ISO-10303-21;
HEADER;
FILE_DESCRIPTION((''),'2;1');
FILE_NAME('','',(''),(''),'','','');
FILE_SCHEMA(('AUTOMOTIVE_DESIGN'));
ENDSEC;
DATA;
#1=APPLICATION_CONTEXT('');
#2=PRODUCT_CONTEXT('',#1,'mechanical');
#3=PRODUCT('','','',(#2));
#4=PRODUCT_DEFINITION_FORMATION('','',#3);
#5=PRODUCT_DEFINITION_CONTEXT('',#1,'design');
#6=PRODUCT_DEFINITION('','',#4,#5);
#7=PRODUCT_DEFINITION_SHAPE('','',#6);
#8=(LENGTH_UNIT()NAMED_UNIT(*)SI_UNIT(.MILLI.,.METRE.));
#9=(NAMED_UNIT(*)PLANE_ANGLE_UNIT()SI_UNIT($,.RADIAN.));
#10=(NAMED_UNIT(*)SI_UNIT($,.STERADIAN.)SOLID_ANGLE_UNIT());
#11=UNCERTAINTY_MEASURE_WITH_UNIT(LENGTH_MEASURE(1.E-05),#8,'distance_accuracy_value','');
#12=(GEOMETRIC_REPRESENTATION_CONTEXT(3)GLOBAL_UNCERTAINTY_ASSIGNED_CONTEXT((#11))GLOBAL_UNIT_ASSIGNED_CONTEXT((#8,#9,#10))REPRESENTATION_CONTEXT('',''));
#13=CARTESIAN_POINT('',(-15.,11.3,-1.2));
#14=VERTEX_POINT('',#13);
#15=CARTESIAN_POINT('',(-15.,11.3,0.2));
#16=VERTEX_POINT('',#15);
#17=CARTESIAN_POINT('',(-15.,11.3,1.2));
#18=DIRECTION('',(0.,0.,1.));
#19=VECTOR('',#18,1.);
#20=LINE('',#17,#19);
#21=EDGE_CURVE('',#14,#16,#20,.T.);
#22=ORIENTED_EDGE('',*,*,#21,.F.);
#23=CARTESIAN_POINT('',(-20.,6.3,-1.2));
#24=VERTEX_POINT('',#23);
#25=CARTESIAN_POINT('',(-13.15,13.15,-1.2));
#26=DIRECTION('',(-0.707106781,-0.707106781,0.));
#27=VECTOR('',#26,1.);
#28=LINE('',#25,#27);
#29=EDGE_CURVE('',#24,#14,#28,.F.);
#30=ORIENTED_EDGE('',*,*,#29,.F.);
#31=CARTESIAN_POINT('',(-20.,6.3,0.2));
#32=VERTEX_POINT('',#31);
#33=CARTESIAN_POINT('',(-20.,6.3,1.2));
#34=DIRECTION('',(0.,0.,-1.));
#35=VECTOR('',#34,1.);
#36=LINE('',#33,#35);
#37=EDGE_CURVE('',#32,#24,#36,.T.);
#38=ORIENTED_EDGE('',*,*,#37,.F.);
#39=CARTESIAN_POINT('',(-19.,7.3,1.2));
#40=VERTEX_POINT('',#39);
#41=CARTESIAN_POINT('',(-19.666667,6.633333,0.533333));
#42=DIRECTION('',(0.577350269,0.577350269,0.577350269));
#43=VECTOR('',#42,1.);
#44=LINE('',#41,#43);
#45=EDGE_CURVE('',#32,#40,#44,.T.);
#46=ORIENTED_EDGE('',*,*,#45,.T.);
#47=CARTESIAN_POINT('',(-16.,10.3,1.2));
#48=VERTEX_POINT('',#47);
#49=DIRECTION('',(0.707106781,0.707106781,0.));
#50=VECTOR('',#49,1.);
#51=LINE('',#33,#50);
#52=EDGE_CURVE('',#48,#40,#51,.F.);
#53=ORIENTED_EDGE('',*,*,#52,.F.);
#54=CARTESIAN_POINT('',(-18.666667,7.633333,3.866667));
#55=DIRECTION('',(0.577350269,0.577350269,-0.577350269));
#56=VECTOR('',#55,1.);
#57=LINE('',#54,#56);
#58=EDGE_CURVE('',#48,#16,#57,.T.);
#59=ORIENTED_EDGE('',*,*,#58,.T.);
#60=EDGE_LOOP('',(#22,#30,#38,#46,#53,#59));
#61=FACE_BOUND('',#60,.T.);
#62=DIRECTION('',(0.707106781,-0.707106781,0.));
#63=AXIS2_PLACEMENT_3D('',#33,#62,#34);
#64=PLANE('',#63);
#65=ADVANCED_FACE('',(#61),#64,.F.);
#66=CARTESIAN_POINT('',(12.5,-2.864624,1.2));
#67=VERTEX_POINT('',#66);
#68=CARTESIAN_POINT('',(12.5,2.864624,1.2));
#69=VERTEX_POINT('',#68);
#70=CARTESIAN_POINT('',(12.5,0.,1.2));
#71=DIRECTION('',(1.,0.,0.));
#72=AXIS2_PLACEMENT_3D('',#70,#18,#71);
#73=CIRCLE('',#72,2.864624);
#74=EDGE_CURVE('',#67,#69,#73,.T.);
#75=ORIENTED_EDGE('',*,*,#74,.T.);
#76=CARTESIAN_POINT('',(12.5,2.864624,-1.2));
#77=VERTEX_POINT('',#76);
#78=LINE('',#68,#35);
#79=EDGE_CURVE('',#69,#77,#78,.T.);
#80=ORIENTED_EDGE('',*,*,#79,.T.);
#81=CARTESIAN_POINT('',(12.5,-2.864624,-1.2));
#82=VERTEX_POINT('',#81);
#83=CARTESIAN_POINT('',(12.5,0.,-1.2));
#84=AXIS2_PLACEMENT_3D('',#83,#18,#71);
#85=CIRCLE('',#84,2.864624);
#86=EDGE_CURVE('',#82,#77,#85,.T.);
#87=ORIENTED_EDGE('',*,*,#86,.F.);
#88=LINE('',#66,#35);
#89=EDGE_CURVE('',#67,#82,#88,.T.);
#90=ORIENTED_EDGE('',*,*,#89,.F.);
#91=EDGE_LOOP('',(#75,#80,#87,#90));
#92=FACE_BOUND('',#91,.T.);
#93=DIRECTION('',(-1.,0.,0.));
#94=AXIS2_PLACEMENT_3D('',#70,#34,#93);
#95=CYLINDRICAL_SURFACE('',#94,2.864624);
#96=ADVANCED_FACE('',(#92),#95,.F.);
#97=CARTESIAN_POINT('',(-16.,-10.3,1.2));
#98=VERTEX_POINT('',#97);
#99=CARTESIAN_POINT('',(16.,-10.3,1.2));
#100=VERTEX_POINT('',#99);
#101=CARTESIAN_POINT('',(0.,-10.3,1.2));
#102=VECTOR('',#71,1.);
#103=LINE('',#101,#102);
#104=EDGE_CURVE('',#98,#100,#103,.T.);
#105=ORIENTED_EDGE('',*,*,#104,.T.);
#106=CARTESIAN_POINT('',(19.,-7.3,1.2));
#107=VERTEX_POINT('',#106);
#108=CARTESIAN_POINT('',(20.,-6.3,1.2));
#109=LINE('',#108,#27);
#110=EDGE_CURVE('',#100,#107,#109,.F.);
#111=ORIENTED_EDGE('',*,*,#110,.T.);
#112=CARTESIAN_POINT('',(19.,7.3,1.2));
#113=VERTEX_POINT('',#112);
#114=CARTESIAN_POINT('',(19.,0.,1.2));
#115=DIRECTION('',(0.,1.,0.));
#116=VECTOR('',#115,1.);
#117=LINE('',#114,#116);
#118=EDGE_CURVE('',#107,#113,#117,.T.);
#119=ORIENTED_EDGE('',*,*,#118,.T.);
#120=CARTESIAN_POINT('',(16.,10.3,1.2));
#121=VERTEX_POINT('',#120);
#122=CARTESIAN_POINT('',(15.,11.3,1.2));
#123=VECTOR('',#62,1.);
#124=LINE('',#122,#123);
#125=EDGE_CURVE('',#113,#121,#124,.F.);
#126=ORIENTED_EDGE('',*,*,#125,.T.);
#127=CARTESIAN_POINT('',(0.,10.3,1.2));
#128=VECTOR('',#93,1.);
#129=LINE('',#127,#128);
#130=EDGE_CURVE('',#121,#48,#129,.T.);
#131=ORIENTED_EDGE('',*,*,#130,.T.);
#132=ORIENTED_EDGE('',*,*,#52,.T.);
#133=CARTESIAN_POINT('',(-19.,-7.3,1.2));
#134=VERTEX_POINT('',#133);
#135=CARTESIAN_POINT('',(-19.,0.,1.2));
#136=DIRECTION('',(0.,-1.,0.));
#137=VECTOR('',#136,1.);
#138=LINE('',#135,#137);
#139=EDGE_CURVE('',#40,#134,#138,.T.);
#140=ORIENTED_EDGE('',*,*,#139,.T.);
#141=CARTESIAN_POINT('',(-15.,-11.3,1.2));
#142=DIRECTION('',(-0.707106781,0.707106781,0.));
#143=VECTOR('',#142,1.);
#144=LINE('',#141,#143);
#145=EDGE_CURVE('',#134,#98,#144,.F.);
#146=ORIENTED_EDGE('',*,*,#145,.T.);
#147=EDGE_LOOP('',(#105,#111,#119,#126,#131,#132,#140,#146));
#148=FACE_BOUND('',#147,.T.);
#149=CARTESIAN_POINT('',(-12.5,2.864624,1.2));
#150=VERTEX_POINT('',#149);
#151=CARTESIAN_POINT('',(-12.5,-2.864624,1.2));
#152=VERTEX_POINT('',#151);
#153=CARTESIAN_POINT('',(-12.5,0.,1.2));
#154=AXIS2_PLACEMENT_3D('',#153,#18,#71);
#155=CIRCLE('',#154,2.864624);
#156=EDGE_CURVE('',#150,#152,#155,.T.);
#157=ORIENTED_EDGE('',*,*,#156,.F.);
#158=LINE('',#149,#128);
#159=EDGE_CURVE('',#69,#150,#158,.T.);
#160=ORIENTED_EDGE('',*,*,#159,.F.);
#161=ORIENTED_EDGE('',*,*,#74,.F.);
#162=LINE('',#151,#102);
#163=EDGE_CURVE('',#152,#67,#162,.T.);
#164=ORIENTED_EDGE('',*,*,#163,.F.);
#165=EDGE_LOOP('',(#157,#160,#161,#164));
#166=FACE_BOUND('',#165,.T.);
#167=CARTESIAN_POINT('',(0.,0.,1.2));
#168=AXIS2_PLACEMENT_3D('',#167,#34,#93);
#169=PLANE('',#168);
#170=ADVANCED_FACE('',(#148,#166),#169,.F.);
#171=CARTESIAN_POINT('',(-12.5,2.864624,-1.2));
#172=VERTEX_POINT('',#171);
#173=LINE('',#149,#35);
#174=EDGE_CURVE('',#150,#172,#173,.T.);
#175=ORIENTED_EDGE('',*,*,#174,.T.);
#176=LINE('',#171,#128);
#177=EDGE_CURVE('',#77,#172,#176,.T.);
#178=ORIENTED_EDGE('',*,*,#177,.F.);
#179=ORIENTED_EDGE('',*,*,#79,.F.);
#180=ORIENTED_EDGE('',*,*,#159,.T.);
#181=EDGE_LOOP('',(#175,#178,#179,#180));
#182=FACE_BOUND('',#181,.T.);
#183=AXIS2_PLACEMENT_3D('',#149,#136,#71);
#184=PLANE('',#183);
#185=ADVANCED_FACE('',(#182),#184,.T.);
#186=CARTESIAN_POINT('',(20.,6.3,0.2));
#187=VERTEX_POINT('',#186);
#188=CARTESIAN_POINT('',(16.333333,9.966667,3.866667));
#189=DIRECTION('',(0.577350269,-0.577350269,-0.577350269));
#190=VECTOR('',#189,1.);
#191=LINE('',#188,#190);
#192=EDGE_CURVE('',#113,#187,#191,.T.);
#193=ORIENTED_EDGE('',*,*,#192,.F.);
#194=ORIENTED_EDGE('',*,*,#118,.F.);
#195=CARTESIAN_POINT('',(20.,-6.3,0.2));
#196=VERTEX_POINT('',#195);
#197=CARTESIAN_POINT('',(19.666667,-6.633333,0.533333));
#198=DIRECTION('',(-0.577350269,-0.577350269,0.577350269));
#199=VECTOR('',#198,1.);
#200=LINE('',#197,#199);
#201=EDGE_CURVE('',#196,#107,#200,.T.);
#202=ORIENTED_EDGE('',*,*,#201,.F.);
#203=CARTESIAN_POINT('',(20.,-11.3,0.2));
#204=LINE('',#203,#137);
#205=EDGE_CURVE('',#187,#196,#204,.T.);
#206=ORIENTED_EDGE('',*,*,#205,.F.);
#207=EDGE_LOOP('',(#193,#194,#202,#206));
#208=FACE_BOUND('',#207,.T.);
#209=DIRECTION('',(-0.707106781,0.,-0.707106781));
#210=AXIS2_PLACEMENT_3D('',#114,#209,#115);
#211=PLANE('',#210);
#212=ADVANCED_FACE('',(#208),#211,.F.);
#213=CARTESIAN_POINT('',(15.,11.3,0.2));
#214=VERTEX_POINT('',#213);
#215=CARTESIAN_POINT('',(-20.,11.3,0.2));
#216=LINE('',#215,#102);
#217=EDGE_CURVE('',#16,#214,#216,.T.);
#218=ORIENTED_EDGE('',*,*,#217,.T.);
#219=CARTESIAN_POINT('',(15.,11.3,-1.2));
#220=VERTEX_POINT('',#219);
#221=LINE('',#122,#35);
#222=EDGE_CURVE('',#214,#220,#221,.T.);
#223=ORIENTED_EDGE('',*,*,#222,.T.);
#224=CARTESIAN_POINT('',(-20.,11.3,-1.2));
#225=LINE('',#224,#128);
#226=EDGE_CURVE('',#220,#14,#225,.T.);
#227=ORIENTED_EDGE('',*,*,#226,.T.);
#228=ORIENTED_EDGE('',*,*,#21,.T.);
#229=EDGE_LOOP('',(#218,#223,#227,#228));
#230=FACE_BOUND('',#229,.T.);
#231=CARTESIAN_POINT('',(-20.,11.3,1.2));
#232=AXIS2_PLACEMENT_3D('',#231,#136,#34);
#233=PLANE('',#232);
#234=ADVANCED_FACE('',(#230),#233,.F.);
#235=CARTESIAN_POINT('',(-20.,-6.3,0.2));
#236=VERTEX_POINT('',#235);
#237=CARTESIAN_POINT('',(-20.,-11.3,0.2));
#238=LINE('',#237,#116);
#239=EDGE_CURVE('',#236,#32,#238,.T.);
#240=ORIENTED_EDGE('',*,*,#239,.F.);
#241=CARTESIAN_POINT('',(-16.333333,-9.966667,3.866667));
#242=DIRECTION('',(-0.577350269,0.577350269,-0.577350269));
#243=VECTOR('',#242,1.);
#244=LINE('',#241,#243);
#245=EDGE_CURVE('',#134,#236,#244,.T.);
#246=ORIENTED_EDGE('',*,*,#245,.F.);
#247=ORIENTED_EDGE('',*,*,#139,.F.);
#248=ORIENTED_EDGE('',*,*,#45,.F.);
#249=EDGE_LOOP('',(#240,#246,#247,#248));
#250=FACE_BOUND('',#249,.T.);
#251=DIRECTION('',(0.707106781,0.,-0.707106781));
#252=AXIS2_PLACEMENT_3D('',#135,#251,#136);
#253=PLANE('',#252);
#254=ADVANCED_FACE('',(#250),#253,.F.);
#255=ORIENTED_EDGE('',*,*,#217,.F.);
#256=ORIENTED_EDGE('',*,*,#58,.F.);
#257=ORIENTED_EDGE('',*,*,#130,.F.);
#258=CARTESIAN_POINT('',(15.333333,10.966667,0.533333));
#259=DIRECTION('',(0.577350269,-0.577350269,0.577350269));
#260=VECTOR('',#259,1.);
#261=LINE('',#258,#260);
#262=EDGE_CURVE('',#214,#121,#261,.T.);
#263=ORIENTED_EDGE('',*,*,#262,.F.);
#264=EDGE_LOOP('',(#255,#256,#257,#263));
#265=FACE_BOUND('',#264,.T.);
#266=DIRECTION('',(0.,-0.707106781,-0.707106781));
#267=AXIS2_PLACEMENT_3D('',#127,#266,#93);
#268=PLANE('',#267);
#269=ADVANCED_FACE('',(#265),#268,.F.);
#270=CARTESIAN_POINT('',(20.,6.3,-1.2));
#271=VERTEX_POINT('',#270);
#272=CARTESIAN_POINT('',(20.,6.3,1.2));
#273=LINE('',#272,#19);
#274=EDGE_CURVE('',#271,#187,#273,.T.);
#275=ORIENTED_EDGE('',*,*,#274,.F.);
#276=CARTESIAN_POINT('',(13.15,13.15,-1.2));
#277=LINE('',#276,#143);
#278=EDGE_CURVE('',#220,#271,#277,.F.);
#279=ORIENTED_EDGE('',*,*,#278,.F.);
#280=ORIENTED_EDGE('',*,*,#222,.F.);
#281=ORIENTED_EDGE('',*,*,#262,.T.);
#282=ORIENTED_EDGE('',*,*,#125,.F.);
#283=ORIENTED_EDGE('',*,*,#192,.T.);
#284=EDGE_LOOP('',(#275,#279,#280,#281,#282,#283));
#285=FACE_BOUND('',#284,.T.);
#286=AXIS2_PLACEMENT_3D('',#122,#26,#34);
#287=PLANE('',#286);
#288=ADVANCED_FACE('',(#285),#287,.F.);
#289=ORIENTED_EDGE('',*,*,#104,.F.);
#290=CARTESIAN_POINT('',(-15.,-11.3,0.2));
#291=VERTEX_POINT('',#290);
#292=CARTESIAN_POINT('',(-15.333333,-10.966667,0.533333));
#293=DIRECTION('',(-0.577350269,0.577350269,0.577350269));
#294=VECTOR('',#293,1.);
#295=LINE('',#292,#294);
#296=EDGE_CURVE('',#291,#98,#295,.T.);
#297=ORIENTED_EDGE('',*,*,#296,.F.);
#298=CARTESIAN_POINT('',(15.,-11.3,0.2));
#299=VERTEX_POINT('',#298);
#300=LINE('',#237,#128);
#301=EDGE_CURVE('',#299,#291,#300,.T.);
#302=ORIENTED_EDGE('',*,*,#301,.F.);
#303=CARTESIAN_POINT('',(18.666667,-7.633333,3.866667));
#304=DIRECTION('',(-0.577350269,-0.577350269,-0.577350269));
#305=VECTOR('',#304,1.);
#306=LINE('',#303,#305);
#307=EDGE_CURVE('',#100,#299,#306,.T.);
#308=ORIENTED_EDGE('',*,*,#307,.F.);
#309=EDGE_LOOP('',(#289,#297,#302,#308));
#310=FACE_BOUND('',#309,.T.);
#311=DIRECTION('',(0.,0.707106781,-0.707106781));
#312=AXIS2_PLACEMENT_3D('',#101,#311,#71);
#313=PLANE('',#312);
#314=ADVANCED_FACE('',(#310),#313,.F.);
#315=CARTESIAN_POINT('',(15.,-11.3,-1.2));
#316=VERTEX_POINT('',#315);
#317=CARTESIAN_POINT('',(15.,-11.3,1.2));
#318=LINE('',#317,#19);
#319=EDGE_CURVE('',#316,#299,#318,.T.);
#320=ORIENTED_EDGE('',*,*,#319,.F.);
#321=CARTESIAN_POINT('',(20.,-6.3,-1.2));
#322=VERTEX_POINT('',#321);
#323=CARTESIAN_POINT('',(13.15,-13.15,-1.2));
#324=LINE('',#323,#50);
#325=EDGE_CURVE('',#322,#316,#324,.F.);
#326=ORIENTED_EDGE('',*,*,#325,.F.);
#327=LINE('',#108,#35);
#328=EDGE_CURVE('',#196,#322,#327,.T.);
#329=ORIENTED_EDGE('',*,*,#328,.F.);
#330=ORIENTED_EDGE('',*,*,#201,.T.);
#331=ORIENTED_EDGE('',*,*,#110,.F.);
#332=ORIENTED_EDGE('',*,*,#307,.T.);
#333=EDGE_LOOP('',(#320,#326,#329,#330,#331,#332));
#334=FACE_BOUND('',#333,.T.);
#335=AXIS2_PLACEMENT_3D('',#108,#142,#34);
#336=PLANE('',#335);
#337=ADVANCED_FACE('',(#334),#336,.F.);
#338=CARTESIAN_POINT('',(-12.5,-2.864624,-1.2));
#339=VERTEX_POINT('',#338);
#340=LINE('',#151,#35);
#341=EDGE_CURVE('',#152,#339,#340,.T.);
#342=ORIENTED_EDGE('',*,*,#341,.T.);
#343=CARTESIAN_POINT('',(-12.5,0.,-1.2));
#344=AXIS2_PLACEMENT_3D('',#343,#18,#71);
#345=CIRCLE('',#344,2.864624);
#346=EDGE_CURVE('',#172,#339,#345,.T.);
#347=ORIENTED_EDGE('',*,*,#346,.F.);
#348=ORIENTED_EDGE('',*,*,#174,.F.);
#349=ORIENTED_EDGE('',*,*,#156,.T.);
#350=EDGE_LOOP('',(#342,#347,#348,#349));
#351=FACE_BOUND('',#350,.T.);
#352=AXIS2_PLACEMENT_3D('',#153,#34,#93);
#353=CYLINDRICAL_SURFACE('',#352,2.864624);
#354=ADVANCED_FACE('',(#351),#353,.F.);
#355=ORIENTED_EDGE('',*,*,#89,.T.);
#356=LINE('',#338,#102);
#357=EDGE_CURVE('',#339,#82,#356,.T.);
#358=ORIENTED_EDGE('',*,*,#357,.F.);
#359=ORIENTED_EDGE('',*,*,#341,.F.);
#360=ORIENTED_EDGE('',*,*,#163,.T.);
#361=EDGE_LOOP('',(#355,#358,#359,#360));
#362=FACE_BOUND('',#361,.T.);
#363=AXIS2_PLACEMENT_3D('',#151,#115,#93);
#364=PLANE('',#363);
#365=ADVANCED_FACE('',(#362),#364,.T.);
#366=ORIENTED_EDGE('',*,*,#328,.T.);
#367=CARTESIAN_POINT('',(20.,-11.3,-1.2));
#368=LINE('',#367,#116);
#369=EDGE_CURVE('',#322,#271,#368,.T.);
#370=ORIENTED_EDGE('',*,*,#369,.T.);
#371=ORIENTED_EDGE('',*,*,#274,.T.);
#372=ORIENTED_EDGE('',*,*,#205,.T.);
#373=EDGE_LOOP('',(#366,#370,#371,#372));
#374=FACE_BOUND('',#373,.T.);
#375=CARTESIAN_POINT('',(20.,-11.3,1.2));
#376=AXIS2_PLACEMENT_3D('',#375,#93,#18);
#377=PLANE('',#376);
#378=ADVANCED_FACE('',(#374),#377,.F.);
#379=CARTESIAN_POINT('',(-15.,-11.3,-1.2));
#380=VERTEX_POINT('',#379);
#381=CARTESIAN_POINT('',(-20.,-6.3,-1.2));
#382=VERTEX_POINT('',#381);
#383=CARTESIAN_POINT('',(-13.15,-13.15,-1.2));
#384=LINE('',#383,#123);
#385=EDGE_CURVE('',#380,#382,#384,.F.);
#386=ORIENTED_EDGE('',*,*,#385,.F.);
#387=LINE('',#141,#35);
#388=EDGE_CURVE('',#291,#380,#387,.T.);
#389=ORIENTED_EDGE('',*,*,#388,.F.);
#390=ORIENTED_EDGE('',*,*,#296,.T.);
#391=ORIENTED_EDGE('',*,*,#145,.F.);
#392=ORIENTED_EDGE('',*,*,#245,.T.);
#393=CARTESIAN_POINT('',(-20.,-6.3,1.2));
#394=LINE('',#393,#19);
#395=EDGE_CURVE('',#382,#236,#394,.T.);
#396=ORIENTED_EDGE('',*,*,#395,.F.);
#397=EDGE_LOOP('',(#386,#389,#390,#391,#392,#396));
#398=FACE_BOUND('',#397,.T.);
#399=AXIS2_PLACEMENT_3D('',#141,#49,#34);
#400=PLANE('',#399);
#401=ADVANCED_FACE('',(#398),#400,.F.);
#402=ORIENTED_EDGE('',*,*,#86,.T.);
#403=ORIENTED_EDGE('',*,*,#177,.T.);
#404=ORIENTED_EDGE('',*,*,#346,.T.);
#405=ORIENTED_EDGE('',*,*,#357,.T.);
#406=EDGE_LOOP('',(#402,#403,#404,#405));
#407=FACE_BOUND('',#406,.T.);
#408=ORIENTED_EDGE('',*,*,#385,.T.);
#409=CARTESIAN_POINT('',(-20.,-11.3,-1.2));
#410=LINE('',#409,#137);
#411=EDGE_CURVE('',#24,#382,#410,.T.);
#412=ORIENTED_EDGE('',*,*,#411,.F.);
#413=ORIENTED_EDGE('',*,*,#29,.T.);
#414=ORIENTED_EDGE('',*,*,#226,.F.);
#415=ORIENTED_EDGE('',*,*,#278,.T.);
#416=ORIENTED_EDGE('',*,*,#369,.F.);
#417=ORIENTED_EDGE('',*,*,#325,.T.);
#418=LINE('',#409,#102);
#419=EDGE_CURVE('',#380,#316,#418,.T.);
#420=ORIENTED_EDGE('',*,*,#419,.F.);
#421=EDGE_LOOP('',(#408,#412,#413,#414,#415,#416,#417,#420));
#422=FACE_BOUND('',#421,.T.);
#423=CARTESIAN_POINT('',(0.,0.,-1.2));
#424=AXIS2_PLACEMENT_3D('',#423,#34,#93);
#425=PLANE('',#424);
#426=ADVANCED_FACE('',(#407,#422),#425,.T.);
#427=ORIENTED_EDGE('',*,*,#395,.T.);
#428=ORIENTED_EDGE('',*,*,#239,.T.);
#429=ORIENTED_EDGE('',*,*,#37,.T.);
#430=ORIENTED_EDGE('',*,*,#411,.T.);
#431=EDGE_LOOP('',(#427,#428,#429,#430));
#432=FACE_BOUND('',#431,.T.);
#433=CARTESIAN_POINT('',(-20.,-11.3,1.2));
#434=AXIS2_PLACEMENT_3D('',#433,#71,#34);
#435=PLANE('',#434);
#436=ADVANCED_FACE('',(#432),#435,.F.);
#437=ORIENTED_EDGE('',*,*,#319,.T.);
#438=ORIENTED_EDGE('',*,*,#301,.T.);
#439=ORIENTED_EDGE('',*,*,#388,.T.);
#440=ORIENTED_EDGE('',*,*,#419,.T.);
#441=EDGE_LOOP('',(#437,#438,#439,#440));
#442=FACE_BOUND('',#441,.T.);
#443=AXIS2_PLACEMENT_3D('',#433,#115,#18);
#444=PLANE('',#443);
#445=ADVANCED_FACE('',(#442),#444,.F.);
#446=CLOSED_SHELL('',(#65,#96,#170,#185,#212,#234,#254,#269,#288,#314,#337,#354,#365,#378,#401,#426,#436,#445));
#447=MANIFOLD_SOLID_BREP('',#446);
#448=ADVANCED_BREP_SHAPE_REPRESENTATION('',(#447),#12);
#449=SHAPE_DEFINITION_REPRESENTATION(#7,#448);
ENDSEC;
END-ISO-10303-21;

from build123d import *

# Parameters (mm, degrees)
SKETCH_1_W      = 40
SKETCH_1_H      = 22.6
EXTRUDE_1_DEPTH = 1.2
CHAMFER_1_SIZE  = 5
CHAMFER_2_SIZE  = 1


with BuildPart() as part:
    # 스케치1 → 보스-돌출1 (new, symmetric)
    with BuildSketch(Plane.XY):
        Rectangle(SKETCH_1_W, SKETCH_1_H)
        with BuildLine():
            Line((-12.5, 2.864624259), (12.5, 2.864624259))
            ThreePointArc((12.5, 2.864624259), (15.364624259, 0), (12.5, -2.864624259))
            Line((12.5, -2.864624259), (-12.5, -2.864624259))
            ThreePointArc((-12.5, -2.864624259), (-15.364624259, 0), (-12.5, 2.864624259))
        make_face(mode=Mode.SUBTRACT)
    extrude(amount=EXTRUDE_1_DEPTH, both=True)

    # 모따기1
    chamfer_1_edges = [part.edges().sort_by_distance(p)[0] for p in [
        (20, -11.3, 0),
        (-20, -11.3, 0),
        (-20, 11.3, 0),
        (20, 11.3, 0),
    ]]
    chamfer(chamfer_1_edges, length=CHAMFER_1_SIZE)

    # 모따기2
    chamfer_2_edges = [part.edges().sort_by_distance(p)[0] for p in [
        (0, 11.3, 1.2),
        (20, 0, 1.2),
        (-20, 0, 1.2),
        (0, -11.3, 1.2),
    ]]
    chamfer(chamfer_2_edges, length=CHAMFER_2_SIZE)


solid = part.part
